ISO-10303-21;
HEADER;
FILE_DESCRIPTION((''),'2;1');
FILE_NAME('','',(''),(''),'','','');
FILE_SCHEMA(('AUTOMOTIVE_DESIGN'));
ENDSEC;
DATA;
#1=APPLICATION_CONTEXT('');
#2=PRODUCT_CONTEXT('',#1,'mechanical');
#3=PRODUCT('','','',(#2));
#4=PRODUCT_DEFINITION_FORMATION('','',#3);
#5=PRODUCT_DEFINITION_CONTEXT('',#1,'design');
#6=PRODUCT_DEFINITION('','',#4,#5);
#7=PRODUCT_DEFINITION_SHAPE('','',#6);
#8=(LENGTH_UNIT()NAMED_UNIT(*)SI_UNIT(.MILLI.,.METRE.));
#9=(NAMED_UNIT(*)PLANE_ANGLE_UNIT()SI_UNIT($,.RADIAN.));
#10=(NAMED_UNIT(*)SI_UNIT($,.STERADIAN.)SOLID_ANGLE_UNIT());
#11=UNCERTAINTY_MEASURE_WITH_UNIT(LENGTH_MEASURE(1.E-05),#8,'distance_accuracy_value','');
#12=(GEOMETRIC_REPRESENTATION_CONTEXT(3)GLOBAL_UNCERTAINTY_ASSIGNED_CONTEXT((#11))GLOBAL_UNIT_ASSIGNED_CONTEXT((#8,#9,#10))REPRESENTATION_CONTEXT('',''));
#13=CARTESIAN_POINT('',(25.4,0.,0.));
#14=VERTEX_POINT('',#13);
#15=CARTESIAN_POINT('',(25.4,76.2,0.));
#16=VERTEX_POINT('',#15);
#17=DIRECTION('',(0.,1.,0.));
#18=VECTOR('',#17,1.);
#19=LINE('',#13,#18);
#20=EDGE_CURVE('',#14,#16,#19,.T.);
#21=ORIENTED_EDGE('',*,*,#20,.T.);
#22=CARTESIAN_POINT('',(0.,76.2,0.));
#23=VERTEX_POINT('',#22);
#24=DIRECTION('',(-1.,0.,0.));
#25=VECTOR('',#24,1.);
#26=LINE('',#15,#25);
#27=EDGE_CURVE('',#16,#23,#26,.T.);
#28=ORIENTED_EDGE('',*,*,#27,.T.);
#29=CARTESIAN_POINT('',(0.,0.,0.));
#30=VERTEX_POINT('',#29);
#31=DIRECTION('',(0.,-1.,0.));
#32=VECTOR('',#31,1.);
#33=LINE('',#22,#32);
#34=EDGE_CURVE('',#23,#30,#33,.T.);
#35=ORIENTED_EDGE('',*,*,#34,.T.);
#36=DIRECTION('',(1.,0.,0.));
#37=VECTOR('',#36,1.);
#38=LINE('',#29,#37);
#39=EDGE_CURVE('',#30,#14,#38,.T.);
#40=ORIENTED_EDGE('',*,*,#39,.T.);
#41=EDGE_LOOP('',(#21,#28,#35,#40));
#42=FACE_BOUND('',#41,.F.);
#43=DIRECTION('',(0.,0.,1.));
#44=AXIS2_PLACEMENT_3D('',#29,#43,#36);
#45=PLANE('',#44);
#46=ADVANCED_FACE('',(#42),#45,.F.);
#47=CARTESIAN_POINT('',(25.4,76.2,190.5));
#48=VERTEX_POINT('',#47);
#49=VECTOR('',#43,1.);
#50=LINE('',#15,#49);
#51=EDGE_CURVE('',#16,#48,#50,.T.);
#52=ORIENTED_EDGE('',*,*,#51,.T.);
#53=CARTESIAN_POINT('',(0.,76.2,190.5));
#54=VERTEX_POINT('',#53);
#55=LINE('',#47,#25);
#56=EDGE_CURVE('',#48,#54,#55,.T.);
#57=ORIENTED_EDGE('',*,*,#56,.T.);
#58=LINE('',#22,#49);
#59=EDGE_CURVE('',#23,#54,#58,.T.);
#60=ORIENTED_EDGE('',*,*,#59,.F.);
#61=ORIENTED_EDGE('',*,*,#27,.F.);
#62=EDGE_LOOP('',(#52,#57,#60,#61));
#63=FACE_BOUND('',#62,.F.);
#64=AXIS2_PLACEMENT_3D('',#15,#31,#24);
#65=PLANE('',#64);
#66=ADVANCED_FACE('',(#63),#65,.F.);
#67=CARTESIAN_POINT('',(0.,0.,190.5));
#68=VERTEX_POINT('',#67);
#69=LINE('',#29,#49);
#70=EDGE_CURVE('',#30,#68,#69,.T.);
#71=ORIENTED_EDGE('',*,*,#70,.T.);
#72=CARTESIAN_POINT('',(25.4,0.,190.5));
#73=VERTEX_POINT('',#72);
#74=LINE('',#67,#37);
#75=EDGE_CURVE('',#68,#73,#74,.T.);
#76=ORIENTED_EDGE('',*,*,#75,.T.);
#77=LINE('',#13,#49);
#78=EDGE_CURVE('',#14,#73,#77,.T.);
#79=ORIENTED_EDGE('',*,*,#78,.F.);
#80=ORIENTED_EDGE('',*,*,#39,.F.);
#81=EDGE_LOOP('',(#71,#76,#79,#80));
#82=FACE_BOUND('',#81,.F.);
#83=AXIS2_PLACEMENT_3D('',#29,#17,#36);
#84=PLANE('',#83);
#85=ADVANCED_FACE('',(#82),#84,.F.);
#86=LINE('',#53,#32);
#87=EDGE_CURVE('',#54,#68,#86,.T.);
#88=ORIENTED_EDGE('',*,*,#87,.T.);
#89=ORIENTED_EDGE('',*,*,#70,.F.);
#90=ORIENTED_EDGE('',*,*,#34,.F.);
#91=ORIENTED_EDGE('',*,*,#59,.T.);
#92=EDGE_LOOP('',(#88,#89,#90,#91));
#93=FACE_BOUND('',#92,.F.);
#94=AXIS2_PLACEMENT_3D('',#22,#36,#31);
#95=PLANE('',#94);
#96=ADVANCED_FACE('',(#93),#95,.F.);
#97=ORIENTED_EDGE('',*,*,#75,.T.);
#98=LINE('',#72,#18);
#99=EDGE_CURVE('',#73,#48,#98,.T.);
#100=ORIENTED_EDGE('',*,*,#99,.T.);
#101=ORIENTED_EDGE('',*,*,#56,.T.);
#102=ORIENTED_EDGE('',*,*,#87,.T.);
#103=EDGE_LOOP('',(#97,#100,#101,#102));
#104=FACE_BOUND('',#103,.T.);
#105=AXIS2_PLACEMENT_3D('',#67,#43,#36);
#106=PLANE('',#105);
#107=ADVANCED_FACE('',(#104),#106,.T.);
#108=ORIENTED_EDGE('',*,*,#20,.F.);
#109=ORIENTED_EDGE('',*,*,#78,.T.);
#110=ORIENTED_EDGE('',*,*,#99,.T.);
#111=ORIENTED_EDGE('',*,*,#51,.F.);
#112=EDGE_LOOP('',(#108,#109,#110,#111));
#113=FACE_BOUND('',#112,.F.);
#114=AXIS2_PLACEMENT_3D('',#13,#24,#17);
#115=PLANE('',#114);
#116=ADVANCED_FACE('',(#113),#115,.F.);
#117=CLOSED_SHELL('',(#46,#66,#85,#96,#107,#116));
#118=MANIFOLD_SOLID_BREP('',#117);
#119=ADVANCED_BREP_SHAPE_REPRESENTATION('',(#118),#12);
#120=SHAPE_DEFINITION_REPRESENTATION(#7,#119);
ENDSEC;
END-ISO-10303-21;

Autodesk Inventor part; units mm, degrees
ref_plane "YZ Plane" through (0, 0, 0) normal (1, 0, 0) x (0, 1, 0)
ref_plane "XZ Plane" through (0, 0, 0) normal (0, 1, 0) x (-1, 0, 0)
ref_plane "XY Plane" through (0, 0, 0) normal (0, 0, 1) x (1, 0, 0)
sketch "Sketch1" plane through (0, 0, 0) normal (0, 0, 1) x (1, 0, 0)
  line L0 (0, 0) -> (25.4, 0)
  line L1 (25.4, 0) -> (25.4, 76.2)
  line L2 (25.4, 76.2) -> (0, 76.2)
  line L3 (0, 76.2) -> (0, 0)
  dimension "d0" = 25.4
  dimension "d1" = 76.2
extrude "Extrusion1" add sketch "Sketch1" along normal blind 190.5
properties part number "7.5in wire duct"
